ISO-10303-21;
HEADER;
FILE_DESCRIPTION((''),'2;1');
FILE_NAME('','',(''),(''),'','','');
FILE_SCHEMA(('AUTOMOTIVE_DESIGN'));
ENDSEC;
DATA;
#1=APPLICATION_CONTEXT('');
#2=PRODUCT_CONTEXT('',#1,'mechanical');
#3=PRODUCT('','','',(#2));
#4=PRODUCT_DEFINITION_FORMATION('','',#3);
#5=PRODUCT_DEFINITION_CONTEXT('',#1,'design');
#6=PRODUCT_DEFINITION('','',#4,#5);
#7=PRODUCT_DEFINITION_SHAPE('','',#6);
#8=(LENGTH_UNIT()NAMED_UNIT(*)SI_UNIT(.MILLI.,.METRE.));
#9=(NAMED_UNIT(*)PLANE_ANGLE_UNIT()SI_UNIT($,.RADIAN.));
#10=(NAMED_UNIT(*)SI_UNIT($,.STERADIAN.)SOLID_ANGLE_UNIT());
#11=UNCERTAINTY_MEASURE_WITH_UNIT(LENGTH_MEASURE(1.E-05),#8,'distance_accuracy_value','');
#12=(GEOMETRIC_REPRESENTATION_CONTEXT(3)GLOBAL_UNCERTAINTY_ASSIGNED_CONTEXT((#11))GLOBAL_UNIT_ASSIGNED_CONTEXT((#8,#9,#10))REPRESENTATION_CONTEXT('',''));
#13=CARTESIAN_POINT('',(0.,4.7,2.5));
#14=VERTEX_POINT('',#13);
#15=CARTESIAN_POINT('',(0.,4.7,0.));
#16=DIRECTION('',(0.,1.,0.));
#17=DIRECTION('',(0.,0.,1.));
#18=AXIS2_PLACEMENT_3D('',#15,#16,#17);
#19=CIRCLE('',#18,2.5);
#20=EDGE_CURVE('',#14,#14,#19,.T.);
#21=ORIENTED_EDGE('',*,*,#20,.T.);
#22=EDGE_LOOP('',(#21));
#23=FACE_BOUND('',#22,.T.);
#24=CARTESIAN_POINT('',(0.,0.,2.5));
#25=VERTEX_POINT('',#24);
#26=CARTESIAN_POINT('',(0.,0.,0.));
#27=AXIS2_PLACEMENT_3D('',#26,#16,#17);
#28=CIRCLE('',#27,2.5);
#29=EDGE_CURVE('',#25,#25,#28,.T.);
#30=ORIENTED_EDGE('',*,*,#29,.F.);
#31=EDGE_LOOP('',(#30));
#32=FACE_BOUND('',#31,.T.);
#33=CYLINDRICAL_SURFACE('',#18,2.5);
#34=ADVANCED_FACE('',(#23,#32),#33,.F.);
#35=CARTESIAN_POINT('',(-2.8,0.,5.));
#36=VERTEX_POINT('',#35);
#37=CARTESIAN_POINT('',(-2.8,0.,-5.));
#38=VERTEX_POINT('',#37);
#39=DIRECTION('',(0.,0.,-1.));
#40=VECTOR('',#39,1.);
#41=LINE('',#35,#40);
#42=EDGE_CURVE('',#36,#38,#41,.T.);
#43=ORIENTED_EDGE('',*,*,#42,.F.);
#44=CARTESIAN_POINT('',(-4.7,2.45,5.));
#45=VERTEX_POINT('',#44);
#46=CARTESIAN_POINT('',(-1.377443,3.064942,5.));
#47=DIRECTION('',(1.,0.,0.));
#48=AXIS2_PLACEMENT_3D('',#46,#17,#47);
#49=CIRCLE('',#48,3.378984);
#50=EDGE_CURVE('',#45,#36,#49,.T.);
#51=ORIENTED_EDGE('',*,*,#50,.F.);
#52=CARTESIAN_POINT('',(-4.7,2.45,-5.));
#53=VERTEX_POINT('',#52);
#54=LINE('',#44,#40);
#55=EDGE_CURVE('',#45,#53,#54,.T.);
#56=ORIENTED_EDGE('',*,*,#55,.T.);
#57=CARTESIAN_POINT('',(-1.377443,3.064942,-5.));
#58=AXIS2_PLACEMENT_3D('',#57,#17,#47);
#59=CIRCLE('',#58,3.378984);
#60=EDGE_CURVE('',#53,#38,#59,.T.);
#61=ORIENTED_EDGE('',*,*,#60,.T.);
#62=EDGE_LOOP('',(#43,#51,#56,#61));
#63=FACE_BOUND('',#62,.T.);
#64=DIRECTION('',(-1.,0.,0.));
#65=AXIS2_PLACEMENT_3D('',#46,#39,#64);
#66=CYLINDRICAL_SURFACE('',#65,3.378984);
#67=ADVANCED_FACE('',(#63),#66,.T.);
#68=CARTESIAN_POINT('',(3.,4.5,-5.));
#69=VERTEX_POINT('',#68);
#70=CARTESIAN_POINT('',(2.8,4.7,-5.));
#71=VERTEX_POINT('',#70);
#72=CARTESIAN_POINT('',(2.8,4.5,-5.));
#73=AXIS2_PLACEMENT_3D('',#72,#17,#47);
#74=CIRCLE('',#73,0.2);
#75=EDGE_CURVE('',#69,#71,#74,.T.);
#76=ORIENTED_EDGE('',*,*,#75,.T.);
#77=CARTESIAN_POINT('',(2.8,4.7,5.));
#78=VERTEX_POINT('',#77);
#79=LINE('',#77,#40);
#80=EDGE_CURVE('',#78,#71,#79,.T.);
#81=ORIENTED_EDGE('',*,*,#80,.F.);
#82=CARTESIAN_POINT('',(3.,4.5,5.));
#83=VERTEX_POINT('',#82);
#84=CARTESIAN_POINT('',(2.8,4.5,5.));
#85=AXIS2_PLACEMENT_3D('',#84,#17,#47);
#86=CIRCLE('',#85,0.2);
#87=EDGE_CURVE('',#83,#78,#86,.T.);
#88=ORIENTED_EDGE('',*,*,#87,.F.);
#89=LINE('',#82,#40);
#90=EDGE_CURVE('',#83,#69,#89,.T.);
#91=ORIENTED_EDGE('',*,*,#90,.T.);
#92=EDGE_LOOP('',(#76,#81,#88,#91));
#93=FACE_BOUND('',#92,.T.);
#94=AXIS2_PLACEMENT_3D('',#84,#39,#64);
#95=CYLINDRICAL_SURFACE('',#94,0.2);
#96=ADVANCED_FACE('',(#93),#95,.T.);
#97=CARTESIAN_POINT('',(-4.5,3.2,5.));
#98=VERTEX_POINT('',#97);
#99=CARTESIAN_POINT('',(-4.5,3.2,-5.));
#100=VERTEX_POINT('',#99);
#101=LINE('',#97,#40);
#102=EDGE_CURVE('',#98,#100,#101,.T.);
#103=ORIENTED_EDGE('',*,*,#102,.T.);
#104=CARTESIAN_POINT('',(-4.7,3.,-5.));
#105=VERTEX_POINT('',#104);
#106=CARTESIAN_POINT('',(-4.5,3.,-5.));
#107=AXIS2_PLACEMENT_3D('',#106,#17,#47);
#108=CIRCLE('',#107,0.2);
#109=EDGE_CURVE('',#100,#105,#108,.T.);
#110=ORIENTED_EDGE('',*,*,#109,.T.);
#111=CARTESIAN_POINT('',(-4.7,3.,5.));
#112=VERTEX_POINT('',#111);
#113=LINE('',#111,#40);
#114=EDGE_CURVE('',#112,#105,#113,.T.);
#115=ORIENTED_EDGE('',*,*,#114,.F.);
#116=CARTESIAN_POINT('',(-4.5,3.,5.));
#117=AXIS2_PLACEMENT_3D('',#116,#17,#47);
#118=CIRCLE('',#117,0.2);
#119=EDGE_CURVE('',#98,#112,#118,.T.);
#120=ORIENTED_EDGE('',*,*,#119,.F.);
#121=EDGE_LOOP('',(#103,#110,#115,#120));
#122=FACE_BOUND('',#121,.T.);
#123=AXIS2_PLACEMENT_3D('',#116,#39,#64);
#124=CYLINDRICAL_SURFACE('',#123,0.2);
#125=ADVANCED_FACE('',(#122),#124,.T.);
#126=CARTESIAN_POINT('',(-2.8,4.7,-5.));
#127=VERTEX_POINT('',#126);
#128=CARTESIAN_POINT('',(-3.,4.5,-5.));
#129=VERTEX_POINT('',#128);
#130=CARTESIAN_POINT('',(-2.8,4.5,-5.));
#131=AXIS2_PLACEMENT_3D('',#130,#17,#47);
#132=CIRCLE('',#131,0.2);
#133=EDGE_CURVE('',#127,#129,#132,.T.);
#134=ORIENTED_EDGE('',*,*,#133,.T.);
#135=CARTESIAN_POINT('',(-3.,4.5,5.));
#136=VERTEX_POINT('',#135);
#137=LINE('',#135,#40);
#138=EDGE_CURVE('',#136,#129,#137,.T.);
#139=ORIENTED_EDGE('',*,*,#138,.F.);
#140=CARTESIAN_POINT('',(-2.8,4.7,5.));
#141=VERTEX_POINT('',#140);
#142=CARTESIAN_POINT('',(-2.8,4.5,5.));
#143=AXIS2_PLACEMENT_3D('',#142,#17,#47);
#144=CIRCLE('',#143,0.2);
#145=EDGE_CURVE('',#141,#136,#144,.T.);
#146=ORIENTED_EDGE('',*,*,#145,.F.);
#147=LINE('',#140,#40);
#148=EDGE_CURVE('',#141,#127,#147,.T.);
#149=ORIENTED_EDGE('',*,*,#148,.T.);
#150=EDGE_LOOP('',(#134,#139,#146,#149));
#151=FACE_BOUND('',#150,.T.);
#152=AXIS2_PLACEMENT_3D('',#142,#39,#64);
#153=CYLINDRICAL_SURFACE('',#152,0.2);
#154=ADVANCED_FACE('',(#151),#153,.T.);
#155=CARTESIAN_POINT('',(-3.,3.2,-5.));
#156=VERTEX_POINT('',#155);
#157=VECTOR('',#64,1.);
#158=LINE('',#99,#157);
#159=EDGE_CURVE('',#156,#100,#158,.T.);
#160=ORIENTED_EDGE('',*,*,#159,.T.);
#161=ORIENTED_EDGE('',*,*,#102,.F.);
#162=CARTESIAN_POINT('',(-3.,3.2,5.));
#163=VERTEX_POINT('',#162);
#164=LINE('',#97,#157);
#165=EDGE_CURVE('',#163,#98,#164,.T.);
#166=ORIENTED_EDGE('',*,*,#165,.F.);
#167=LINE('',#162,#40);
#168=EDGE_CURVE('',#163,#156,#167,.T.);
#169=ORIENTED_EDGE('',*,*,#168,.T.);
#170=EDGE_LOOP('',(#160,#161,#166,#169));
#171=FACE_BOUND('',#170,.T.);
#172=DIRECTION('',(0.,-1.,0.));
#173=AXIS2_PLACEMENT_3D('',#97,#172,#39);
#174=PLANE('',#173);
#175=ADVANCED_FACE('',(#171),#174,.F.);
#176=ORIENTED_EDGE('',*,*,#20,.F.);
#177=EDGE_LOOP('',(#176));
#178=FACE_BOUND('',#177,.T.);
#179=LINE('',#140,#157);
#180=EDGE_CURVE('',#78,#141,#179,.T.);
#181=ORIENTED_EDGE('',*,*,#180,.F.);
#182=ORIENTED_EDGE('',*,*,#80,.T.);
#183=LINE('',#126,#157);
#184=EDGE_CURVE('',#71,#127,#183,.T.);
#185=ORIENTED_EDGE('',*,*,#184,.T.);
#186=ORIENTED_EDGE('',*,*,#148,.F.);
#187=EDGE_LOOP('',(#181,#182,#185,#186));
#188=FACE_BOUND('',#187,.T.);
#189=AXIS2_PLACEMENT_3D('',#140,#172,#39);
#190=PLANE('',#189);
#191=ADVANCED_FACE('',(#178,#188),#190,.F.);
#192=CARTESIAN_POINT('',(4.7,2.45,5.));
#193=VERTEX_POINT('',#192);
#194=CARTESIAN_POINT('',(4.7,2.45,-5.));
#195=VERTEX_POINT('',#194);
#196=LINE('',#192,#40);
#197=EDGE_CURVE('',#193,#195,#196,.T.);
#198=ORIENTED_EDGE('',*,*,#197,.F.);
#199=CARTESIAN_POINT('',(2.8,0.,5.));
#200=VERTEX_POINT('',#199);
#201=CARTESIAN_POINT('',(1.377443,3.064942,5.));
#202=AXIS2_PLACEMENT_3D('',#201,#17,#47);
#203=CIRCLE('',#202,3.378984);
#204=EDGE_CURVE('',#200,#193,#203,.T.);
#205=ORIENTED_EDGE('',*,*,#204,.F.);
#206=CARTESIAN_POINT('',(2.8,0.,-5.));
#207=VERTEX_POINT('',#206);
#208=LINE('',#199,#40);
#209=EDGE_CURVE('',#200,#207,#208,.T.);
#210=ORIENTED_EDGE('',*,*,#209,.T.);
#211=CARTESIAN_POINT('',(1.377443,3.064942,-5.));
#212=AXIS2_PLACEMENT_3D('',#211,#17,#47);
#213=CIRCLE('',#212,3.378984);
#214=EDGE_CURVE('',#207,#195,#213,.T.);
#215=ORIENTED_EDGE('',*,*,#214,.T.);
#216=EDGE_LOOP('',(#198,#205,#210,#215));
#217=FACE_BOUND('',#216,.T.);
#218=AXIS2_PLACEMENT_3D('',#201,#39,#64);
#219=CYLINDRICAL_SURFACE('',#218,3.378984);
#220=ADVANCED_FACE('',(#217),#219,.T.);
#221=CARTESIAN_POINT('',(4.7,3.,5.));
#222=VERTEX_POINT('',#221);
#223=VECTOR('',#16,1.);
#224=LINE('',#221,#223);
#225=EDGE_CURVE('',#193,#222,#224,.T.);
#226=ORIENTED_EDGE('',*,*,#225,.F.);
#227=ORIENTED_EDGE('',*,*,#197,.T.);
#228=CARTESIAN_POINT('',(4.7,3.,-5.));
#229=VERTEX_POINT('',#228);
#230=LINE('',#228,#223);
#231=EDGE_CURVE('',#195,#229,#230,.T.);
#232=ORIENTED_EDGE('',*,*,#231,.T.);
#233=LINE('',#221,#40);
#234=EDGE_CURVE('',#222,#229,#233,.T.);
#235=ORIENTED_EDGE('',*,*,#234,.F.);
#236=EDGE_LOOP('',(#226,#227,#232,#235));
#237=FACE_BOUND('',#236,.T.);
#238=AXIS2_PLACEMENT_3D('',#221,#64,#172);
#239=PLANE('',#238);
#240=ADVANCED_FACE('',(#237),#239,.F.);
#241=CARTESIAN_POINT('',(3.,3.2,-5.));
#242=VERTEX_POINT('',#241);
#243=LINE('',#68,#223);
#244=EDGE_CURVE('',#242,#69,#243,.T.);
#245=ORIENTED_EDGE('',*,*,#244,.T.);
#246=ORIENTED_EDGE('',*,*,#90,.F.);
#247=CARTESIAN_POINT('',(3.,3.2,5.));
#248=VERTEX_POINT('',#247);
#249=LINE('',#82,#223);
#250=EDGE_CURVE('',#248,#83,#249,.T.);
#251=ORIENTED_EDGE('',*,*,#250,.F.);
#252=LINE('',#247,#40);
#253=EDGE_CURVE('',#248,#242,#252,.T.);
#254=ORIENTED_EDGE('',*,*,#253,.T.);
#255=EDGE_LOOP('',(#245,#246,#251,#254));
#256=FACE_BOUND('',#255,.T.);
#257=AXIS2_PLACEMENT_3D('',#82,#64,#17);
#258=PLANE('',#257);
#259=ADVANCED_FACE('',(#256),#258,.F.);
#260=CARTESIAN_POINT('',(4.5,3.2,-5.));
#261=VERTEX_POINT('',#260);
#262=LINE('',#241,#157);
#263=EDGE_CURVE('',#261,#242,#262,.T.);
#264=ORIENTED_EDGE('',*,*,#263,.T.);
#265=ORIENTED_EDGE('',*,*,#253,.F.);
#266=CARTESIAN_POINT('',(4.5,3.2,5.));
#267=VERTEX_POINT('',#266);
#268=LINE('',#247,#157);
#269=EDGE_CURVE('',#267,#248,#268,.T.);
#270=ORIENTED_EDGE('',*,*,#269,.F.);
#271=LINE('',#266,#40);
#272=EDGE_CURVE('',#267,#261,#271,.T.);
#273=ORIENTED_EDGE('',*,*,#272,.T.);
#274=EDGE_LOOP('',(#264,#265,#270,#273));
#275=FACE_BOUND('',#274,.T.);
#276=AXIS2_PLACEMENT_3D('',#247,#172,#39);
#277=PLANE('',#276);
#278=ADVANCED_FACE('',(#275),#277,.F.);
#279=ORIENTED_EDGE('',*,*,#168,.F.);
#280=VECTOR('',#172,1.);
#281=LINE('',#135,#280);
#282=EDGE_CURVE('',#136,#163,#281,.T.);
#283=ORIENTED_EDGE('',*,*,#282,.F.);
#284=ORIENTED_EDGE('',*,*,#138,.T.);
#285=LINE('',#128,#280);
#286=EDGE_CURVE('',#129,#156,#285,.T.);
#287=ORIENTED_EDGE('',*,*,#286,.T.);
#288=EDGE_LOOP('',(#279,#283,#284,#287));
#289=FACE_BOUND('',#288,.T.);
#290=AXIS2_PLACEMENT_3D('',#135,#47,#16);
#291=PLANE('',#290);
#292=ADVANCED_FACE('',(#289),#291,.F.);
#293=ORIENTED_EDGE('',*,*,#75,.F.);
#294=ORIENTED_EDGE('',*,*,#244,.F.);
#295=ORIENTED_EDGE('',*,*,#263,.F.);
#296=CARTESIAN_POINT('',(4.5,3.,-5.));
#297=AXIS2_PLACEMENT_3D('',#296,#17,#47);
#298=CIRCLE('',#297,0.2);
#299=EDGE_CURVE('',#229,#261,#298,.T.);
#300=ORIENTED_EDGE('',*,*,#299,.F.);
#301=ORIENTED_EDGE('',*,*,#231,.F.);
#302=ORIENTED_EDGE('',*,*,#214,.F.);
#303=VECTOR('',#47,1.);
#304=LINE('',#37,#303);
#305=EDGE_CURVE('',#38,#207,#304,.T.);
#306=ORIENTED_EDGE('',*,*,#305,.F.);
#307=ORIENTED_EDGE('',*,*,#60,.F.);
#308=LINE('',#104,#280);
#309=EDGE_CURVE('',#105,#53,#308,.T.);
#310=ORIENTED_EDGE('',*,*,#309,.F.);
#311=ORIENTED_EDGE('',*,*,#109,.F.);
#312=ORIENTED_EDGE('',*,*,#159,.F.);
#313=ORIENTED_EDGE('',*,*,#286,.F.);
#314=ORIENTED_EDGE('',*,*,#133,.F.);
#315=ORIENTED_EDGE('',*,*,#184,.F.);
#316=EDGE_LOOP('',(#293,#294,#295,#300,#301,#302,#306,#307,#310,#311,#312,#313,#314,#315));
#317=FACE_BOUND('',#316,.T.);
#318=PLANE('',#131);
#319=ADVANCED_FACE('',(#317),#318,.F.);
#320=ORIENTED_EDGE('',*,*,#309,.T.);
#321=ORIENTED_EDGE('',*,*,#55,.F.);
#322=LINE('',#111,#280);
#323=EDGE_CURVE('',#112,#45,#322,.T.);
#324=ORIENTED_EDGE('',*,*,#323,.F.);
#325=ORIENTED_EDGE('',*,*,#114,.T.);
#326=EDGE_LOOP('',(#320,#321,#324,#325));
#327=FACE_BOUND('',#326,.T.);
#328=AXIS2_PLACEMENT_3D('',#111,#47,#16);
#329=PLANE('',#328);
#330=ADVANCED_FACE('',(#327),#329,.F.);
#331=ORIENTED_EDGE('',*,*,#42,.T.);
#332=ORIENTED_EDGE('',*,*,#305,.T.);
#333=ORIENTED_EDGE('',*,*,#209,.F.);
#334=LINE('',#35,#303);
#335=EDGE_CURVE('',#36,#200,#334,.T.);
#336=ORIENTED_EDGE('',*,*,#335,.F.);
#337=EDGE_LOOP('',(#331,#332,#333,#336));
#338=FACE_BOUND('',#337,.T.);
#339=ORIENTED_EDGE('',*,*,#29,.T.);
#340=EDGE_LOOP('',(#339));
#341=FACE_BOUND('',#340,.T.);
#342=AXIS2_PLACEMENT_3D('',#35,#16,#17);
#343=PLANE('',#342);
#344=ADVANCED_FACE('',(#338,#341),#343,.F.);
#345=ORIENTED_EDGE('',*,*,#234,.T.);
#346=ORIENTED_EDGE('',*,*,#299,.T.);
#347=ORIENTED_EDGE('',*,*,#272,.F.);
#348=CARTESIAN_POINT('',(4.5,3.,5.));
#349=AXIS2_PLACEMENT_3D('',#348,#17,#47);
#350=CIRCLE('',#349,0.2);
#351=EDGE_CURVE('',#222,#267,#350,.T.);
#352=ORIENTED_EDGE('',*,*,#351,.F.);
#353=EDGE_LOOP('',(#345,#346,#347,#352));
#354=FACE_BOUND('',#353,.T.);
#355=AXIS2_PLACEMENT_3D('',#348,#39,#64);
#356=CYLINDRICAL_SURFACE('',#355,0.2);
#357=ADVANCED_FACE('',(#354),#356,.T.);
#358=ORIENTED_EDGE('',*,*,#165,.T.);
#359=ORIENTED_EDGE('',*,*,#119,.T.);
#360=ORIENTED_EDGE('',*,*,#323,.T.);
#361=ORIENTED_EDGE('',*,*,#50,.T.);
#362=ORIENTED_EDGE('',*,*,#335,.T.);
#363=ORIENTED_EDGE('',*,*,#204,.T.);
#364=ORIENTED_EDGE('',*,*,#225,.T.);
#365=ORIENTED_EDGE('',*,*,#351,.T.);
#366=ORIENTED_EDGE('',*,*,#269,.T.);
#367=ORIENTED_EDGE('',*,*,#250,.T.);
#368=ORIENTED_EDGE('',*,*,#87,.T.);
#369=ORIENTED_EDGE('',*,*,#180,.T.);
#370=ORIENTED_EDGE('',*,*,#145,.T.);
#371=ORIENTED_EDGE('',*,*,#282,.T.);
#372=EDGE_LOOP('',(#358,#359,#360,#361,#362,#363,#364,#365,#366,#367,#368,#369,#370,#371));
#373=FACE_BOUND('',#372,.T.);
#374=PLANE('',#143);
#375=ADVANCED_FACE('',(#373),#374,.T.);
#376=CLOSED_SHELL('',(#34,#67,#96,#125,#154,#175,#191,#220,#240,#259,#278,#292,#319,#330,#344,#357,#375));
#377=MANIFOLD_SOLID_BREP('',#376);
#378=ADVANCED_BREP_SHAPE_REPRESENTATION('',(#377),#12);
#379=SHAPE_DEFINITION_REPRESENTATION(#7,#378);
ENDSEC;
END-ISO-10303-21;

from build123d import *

# Parameters (mm, degrees)
EXTRUDE_1_DEPTH        = 5
HOLE_WIZARD_M6_1_D     = 5
HOLE_WIZARD_M6_1_DEPTH = 15
HOLE_WIZARD_M6_1_TIP   = 1.502151548


with BuildPart() as part:
    # 草图1 → 凸台-拉伸1 (new, symmetric)
    with BuildSketch(Plane.XY):
        with BuildLine():
            Line((-2.8, 4.7), (2.8, 4.7))
            ThreePointArc((2.8, 4.7), (2.941421356, 4.641421356), (3, 4.5))
            Line((3, 4.5), (3, 3.2))
            Line((3, 3.2), (4.5, 3.2))
            ThreePointArc((4.5, 3.2), (4.641421356, 3.141421356), (4.7, 3))
            Line((4.7, 3), (4.7, 2.45))
            ThreePointArc((4.7, 2.45), (4.047583818, 0.994220712), (2.8, 0))
            Line((2.8, 0), (-2.8, 0))
            ThreePointArc((-2.8, 0), (-4.047583818, 0.994220712), (-4.7, 2.45))
            Line((-4.7, 2.45), (-4.7, 3))
            ThreePointArc((-4.7, 3), (-4.641421356, 3.141421356), (-4.5, 3.2))
            Line((-4.5, 3.2), (-3, 3.2))
            Line((-3, 3.2), (-3, 4.5))
            ThreePointArc((-3, 4.5), (-2.941421356, 4.641421356), (-2.8, 4.7))
        make_face()
    extrude(amount=EXTRUDE_1_DEPTH, both=True)

    # M6 螺纹孔1
    with Locations(Plane.ZX.offset(4.7)):
        with Locations((0, 0)):
            Hole(HOLE_WIZARD_M6_1_D / 2, depth=HOLE_WIZARD_M6_1_DEPTH)
            with Locations((0, 0, -(HOLE_WIZARD_M6_1_DEPTH + HOLE_WIZARD_M6_1_TIP / 2))):  # 118° drill point
                Cone(0, HOLE_WIZARD_M6_1_D / 2, HOLE_WIZARD_M6_1_TIP, mode=Mode.SUBTRACT)


solid = part.part
